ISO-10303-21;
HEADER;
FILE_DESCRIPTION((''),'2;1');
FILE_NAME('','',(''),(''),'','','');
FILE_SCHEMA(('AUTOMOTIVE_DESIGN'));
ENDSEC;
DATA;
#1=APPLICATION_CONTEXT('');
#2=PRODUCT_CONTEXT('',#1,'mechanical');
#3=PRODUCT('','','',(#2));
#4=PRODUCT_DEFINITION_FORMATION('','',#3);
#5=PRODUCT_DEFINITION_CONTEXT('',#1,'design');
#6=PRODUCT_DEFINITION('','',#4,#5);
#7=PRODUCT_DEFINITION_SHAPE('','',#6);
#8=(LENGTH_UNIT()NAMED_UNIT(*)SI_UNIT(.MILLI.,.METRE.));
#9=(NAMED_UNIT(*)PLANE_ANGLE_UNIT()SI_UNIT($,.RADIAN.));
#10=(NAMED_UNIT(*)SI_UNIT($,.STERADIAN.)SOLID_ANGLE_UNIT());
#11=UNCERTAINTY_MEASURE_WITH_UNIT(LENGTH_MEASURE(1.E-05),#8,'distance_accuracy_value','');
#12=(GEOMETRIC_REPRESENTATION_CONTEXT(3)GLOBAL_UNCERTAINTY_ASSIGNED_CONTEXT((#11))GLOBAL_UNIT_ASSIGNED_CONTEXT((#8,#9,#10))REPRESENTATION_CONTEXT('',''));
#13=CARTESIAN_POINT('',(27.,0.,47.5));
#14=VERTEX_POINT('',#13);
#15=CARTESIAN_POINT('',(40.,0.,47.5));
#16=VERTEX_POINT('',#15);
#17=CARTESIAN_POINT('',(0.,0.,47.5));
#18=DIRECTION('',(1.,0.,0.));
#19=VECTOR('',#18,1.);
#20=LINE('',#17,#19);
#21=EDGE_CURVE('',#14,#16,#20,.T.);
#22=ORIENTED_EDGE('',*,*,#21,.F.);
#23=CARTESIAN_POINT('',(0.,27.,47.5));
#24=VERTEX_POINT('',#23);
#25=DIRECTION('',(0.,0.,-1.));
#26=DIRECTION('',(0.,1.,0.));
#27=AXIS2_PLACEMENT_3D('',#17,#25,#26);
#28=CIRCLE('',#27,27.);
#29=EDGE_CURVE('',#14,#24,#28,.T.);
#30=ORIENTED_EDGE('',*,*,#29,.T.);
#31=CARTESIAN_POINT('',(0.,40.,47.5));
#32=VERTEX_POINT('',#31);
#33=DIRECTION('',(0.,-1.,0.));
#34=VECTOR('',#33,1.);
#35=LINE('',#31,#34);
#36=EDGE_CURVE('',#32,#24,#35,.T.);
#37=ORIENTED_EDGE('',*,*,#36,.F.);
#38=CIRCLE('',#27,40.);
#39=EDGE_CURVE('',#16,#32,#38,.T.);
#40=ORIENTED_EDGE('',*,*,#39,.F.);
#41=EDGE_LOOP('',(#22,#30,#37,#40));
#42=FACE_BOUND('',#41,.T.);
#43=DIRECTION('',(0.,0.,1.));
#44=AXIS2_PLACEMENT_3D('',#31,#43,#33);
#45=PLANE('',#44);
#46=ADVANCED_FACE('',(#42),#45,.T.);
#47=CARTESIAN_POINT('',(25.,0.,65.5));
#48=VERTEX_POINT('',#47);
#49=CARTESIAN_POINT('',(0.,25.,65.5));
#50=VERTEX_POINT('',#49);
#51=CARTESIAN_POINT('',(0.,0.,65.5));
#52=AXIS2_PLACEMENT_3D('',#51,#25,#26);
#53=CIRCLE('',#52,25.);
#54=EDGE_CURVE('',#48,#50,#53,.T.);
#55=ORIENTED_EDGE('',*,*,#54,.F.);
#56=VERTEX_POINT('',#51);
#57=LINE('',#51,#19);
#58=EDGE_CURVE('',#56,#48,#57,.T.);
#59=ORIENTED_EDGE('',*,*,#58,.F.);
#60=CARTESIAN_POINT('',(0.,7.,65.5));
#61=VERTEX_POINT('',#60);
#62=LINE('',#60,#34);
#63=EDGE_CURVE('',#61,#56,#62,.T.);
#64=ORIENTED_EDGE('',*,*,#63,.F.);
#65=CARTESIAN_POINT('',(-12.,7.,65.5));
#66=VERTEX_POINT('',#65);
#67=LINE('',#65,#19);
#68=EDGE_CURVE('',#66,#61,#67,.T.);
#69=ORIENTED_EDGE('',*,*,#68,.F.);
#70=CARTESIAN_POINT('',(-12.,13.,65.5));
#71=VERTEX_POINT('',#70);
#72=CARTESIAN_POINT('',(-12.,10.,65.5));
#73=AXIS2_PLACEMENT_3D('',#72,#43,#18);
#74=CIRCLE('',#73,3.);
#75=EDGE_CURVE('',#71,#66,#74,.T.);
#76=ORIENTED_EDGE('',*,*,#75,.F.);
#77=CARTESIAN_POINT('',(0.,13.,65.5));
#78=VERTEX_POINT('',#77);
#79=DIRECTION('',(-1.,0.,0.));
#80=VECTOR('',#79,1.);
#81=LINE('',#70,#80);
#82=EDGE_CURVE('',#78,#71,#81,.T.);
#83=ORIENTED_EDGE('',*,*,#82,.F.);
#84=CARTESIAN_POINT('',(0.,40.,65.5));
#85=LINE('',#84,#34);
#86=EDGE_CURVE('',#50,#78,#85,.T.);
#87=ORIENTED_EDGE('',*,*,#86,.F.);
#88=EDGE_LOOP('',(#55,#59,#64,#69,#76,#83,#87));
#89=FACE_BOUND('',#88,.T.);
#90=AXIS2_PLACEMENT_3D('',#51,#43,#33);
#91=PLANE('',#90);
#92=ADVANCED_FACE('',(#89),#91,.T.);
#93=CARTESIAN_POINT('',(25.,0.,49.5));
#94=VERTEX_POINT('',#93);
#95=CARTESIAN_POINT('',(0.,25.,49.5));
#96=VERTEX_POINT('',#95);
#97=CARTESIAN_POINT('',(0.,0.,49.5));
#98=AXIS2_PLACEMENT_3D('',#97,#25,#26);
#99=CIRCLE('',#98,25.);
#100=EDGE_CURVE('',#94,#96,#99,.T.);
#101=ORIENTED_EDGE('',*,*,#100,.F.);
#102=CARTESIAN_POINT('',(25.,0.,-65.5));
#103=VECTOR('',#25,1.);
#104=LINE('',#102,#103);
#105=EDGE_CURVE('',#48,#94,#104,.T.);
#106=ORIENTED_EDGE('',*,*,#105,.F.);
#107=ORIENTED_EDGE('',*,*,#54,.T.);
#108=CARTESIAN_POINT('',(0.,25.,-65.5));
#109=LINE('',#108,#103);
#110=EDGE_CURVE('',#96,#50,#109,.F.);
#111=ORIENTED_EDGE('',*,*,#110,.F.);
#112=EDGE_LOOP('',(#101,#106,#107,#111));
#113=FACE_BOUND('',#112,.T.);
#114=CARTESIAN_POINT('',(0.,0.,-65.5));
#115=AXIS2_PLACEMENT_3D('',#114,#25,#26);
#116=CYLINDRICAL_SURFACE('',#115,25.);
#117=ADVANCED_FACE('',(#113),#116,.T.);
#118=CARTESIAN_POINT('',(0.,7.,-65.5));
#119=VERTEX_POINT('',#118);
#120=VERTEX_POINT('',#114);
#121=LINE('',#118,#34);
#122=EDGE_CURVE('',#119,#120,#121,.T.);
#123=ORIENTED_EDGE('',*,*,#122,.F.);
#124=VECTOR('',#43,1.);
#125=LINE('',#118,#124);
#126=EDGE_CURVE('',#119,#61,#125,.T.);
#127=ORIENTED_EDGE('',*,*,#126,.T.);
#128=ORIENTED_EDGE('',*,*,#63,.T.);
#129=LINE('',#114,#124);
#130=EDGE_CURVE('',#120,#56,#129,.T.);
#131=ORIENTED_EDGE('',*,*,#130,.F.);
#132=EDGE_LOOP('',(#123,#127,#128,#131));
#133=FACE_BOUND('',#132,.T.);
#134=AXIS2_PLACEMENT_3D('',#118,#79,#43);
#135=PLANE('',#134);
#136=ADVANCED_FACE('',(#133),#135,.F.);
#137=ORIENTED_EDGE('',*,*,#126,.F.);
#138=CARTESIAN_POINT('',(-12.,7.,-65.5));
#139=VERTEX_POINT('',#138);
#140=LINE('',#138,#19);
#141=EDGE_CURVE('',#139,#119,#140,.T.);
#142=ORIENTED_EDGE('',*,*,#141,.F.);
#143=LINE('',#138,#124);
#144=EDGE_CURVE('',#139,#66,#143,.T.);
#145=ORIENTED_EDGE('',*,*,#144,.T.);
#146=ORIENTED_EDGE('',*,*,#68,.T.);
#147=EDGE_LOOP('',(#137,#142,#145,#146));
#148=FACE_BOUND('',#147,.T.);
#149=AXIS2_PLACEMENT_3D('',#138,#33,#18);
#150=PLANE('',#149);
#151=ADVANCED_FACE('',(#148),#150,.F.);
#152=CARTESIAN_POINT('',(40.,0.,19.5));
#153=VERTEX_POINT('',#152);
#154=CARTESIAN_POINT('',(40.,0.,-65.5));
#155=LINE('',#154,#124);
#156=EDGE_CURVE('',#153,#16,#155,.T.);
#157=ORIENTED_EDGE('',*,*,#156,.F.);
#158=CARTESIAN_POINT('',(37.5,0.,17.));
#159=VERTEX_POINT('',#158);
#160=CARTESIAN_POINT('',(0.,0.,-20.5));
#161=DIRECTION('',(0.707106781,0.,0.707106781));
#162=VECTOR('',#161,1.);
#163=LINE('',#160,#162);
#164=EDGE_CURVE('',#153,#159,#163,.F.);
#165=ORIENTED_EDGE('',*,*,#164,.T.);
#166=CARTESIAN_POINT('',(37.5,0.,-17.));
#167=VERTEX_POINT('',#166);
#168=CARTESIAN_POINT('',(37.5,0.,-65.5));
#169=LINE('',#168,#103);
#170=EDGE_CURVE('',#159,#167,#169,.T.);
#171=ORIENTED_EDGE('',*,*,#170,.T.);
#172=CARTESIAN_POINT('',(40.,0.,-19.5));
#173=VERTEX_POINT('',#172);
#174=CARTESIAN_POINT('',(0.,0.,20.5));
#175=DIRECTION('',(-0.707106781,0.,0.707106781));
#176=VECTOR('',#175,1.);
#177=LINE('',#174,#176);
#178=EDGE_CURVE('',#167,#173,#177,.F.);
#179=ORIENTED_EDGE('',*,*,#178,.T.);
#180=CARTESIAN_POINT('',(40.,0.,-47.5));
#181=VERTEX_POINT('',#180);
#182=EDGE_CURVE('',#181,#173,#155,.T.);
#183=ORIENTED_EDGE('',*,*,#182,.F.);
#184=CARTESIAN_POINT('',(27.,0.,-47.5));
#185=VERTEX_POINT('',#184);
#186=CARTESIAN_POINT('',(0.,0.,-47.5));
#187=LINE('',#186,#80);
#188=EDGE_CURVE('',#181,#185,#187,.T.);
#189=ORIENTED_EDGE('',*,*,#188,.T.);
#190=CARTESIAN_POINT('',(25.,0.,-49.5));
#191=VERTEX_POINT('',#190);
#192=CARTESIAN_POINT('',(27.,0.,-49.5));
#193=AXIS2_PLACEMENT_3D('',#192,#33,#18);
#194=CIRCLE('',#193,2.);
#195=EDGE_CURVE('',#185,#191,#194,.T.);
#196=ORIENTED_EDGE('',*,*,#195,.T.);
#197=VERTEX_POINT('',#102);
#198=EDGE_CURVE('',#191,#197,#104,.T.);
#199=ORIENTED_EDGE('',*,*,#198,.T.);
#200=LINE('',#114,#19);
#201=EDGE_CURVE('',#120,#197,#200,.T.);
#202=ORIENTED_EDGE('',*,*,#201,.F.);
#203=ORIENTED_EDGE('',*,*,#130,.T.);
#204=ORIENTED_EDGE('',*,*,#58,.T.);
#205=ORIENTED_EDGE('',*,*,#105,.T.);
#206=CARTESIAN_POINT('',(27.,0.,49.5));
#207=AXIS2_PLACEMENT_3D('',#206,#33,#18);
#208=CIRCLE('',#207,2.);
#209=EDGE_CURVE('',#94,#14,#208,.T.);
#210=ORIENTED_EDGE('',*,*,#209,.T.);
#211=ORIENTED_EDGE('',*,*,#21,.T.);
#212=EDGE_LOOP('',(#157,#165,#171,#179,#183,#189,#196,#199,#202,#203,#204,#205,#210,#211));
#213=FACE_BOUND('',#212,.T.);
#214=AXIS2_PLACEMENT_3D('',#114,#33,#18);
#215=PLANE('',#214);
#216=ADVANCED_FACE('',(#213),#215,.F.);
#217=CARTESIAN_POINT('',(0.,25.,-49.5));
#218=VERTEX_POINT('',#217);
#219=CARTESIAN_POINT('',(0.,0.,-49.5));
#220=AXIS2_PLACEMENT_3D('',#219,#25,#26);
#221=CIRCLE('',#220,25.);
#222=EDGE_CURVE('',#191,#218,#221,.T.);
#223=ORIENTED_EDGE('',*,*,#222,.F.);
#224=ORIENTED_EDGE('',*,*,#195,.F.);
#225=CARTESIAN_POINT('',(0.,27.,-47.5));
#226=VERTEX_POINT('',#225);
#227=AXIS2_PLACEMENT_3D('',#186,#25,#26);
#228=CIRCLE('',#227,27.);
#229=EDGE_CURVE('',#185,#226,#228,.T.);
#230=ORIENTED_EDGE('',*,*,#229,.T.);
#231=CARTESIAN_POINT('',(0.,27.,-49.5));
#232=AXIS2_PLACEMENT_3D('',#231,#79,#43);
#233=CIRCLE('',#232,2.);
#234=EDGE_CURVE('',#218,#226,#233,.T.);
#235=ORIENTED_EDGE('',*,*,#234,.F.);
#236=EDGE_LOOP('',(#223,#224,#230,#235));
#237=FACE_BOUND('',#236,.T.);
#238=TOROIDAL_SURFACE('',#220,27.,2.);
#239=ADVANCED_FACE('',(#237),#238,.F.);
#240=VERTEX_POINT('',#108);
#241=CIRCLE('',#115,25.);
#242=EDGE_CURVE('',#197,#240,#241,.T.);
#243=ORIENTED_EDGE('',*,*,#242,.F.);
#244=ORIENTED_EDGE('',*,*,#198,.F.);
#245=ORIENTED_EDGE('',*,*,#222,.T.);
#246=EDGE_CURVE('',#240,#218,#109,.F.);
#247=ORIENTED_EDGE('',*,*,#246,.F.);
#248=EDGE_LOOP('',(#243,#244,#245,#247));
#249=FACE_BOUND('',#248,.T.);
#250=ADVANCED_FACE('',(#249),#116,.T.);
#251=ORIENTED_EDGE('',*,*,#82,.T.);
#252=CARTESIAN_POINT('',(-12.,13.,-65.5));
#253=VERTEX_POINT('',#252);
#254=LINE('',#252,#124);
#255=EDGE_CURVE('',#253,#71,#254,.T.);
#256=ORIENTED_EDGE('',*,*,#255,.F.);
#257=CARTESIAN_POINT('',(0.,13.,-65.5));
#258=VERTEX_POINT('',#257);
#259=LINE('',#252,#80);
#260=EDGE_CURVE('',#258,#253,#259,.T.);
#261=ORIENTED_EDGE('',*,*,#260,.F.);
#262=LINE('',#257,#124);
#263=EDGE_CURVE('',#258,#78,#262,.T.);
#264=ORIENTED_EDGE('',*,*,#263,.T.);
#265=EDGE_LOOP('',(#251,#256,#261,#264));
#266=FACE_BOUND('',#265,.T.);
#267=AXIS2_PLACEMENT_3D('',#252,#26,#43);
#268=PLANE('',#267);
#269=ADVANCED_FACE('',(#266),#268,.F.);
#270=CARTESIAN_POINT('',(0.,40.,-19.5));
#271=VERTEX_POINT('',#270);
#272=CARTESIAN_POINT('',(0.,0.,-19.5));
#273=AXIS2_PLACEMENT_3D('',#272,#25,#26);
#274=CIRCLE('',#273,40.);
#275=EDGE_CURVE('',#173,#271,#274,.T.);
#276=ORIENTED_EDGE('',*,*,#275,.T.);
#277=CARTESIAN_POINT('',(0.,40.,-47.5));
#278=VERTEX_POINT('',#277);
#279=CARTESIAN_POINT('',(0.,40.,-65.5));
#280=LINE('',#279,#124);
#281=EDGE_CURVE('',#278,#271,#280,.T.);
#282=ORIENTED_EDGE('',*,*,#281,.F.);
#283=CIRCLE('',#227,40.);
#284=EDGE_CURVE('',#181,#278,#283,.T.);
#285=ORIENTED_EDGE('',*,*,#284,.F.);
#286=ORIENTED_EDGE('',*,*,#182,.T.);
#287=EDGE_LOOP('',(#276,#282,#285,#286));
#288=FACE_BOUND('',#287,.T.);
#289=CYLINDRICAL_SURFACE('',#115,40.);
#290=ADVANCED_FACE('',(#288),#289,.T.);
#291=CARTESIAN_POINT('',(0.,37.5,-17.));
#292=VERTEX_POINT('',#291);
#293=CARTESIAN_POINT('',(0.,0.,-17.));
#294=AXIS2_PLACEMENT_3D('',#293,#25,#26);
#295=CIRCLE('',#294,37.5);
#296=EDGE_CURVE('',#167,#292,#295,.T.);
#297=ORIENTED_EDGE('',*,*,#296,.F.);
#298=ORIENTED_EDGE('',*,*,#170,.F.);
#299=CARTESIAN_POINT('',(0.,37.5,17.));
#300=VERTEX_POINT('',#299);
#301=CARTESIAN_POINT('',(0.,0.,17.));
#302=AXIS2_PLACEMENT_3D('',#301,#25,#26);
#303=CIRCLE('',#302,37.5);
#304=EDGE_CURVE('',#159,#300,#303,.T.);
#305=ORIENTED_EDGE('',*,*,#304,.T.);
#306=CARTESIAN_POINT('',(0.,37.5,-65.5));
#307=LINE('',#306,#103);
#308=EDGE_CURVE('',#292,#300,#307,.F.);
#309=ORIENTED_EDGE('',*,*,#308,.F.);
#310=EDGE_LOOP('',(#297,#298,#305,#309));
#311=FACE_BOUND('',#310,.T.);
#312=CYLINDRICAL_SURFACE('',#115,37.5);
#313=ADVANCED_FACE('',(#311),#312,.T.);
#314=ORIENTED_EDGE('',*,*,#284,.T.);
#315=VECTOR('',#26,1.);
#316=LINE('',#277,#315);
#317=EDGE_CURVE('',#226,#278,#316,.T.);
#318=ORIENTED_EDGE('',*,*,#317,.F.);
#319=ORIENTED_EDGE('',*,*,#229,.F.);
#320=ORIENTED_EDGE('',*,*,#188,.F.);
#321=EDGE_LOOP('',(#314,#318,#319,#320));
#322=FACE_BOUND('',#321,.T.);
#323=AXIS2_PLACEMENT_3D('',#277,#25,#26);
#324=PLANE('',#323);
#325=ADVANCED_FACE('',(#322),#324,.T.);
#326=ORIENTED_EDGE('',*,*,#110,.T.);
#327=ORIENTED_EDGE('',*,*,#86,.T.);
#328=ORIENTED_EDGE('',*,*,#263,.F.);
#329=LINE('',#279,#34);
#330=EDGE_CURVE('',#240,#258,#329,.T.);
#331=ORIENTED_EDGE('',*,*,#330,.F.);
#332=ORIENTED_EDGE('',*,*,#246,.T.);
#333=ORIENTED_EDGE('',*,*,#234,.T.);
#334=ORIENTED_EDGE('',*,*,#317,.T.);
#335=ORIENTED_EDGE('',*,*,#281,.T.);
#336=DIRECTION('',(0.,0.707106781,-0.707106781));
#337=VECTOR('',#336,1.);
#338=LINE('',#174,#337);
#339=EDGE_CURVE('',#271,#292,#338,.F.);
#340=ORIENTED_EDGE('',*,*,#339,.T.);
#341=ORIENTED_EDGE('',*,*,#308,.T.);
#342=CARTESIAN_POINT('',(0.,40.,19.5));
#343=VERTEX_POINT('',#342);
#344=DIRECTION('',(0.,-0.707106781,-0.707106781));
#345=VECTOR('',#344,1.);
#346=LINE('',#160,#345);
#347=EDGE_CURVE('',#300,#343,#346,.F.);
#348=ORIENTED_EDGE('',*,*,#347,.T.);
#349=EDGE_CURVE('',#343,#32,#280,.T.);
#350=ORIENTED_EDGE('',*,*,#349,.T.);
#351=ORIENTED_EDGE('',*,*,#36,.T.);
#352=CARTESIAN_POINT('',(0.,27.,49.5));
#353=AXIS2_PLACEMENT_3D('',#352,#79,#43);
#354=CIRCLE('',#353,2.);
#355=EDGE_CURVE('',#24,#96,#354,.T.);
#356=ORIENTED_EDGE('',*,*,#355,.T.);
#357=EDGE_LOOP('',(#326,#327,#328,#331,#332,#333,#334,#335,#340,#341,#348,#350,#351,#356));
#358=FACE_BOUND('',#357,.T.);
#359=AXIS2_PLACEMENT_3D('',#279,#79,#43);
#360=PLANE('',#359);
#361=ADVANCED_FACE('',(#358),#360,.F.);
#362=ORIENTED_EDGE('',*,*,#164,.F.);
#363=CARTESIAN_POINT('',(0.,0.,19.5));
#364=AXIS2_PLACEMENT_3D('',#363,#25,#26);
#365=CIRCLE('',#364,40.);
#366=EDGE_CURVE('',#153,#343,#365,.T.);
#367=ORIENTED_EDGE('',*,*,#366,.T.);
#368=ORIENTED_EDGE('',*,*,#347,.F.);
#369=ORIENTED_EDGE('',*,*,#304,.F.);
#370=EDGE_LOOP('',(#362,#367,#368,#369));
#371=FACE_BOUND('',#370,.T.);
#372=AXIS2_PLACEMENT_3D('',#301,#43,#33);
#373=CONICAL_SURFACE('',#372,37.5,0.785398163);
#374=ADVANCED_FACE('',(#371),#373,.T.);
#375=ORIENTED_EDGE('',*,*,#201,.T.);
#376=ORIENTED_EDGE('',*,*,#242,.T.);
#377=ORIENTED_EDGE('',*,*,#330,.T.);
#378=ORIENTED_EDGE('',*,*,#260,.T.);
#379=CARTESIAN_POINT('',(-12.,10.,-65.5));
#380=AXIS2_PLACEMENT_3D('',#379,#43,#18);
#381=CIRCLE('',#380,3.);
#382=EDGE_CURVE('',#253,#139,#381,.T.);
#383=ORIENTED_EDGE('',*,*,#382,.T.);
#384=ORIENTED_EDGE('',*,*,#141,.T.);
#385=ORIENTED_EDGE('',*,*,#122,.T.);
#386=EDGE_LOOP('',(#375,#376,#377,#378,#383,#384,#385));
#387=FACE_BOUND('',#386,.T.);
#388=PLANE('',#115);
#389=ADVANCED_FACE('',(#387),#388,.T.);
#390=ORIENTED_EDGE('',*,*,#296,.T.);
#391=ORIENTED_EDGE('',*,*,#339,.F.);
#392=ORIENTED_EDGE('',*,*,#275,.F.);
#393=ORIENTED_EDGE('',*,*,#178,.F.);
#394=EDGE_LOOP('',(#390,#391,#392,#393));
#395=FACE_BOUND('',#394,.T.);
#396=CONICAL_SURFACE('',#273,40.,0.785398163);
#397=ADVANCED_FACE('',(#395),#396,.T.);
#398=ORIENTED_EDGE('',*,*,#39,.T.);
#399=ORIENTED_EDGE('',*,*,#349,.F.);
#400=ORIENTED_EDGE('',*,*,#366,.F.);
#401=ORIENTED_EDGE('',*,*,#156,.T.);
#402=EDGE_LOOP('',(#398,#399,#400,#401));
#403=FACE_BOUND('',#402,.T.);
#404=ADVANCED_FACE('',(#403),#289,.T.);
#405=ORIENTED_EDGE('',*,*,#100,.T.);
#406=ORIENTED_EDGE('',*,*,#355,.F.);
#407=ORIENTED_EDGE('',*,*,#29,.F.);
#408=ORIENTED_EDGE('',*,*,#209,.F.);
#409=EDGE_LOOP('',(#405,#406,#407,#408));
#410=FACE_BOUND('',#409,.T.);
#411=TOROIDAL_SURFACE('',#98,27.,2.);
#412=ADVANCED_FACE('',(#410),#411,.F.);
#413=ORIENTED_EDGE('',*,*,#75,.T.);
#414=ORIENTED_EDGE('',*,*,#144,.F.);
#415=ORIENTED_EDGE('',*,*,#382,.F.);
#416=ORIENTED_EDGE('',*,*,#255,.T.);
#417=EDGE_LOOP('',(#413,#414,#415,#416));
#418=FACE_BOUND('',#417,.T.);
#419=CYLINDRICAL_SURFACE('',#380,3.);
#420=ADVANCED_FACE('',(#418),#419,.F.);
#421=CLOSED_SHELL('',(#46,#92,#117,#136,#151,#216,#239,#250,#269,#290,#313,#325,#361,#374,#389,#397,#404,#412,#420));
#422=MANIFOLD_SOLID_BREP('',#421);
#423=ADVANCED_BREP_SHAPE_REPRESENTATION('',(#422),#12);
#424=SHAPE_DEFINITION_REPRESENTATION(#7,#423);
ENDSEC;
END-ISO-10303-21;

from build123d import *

# Parameters (mm, degrees)
CUT_EXTRUDE1_DEPTH      = 66.5
CUT_EXTRUDE1_DEPTH_BACK = 66.5


with BuildPart() as part:
    # Sketch1 → Revolve1 (revolve)
    with BuildSketch(Plane(origin=(0, 0, 0), x_dir=(0, 0, -1), z_dir=(1, 0, 0))):
        with BuildLine():
            Line((65.5, 0), (-65.5, 0))
            Line((-65.5, 0), (-65.5, 25))
            Line((-65.5, 25), (-49.5, 25))
            ThreePointArc((-49.5, 25), (-48.085786438, 25.585786438), (-47.5, 27))
            Line((-47.5, 27), (-47.5, 40))
            Line((-47.5, 40), (-19.5, 40))
            Line((-19.5, 40), (-17, 37.5))
            Line((-17, 37.5), (17, 37.5))
            Line((17, 37.5), (19.5, 40))
            Line((19.5, 40), (47.5, 40))
            Line((47.5, 40), (47.5, 27))
            ThreePointArc((47.5, 27), (48.085786438, 25.585786438), (49.5, 25))
            Line((49.5, 25), (65.5, 25))
            Line((65.5, 25), (65.5, 0))
        make_face()
    revolve(axis=Axis((0, 0, -65.5), (0, 0, 1)))

    # Sketch2 → Cut-Extrude1 (cut, two sides)
    with BuildSketch(Plane.XY) as cut_extrude1_sk:
        with BuildLine():
            Line((0, 40), (0, 13))
            Line((0, 13), (-12, 13))
            ThreePointArc((-12, 13), (-15, 10), (-12, 7))
            Line((-12, 7), (0, 7))
            Line((0, 7), (0, 0))
            Line((0, 0), (40, 0))
            ThreePointArc((40, 0), (28.284271247, 28.284271247), (0, 40))
        make_face()
    extrude(amount=CUT_EXTRUDE1_DEPTH, mode=Mode.SUBTRACT)
    extrude(cut_extrude1_sk.sketch, amount=-CUT_EXTRUDE1_DEPTH_BACK, mode=Mode.SUBTRACT)


solid = part.part
